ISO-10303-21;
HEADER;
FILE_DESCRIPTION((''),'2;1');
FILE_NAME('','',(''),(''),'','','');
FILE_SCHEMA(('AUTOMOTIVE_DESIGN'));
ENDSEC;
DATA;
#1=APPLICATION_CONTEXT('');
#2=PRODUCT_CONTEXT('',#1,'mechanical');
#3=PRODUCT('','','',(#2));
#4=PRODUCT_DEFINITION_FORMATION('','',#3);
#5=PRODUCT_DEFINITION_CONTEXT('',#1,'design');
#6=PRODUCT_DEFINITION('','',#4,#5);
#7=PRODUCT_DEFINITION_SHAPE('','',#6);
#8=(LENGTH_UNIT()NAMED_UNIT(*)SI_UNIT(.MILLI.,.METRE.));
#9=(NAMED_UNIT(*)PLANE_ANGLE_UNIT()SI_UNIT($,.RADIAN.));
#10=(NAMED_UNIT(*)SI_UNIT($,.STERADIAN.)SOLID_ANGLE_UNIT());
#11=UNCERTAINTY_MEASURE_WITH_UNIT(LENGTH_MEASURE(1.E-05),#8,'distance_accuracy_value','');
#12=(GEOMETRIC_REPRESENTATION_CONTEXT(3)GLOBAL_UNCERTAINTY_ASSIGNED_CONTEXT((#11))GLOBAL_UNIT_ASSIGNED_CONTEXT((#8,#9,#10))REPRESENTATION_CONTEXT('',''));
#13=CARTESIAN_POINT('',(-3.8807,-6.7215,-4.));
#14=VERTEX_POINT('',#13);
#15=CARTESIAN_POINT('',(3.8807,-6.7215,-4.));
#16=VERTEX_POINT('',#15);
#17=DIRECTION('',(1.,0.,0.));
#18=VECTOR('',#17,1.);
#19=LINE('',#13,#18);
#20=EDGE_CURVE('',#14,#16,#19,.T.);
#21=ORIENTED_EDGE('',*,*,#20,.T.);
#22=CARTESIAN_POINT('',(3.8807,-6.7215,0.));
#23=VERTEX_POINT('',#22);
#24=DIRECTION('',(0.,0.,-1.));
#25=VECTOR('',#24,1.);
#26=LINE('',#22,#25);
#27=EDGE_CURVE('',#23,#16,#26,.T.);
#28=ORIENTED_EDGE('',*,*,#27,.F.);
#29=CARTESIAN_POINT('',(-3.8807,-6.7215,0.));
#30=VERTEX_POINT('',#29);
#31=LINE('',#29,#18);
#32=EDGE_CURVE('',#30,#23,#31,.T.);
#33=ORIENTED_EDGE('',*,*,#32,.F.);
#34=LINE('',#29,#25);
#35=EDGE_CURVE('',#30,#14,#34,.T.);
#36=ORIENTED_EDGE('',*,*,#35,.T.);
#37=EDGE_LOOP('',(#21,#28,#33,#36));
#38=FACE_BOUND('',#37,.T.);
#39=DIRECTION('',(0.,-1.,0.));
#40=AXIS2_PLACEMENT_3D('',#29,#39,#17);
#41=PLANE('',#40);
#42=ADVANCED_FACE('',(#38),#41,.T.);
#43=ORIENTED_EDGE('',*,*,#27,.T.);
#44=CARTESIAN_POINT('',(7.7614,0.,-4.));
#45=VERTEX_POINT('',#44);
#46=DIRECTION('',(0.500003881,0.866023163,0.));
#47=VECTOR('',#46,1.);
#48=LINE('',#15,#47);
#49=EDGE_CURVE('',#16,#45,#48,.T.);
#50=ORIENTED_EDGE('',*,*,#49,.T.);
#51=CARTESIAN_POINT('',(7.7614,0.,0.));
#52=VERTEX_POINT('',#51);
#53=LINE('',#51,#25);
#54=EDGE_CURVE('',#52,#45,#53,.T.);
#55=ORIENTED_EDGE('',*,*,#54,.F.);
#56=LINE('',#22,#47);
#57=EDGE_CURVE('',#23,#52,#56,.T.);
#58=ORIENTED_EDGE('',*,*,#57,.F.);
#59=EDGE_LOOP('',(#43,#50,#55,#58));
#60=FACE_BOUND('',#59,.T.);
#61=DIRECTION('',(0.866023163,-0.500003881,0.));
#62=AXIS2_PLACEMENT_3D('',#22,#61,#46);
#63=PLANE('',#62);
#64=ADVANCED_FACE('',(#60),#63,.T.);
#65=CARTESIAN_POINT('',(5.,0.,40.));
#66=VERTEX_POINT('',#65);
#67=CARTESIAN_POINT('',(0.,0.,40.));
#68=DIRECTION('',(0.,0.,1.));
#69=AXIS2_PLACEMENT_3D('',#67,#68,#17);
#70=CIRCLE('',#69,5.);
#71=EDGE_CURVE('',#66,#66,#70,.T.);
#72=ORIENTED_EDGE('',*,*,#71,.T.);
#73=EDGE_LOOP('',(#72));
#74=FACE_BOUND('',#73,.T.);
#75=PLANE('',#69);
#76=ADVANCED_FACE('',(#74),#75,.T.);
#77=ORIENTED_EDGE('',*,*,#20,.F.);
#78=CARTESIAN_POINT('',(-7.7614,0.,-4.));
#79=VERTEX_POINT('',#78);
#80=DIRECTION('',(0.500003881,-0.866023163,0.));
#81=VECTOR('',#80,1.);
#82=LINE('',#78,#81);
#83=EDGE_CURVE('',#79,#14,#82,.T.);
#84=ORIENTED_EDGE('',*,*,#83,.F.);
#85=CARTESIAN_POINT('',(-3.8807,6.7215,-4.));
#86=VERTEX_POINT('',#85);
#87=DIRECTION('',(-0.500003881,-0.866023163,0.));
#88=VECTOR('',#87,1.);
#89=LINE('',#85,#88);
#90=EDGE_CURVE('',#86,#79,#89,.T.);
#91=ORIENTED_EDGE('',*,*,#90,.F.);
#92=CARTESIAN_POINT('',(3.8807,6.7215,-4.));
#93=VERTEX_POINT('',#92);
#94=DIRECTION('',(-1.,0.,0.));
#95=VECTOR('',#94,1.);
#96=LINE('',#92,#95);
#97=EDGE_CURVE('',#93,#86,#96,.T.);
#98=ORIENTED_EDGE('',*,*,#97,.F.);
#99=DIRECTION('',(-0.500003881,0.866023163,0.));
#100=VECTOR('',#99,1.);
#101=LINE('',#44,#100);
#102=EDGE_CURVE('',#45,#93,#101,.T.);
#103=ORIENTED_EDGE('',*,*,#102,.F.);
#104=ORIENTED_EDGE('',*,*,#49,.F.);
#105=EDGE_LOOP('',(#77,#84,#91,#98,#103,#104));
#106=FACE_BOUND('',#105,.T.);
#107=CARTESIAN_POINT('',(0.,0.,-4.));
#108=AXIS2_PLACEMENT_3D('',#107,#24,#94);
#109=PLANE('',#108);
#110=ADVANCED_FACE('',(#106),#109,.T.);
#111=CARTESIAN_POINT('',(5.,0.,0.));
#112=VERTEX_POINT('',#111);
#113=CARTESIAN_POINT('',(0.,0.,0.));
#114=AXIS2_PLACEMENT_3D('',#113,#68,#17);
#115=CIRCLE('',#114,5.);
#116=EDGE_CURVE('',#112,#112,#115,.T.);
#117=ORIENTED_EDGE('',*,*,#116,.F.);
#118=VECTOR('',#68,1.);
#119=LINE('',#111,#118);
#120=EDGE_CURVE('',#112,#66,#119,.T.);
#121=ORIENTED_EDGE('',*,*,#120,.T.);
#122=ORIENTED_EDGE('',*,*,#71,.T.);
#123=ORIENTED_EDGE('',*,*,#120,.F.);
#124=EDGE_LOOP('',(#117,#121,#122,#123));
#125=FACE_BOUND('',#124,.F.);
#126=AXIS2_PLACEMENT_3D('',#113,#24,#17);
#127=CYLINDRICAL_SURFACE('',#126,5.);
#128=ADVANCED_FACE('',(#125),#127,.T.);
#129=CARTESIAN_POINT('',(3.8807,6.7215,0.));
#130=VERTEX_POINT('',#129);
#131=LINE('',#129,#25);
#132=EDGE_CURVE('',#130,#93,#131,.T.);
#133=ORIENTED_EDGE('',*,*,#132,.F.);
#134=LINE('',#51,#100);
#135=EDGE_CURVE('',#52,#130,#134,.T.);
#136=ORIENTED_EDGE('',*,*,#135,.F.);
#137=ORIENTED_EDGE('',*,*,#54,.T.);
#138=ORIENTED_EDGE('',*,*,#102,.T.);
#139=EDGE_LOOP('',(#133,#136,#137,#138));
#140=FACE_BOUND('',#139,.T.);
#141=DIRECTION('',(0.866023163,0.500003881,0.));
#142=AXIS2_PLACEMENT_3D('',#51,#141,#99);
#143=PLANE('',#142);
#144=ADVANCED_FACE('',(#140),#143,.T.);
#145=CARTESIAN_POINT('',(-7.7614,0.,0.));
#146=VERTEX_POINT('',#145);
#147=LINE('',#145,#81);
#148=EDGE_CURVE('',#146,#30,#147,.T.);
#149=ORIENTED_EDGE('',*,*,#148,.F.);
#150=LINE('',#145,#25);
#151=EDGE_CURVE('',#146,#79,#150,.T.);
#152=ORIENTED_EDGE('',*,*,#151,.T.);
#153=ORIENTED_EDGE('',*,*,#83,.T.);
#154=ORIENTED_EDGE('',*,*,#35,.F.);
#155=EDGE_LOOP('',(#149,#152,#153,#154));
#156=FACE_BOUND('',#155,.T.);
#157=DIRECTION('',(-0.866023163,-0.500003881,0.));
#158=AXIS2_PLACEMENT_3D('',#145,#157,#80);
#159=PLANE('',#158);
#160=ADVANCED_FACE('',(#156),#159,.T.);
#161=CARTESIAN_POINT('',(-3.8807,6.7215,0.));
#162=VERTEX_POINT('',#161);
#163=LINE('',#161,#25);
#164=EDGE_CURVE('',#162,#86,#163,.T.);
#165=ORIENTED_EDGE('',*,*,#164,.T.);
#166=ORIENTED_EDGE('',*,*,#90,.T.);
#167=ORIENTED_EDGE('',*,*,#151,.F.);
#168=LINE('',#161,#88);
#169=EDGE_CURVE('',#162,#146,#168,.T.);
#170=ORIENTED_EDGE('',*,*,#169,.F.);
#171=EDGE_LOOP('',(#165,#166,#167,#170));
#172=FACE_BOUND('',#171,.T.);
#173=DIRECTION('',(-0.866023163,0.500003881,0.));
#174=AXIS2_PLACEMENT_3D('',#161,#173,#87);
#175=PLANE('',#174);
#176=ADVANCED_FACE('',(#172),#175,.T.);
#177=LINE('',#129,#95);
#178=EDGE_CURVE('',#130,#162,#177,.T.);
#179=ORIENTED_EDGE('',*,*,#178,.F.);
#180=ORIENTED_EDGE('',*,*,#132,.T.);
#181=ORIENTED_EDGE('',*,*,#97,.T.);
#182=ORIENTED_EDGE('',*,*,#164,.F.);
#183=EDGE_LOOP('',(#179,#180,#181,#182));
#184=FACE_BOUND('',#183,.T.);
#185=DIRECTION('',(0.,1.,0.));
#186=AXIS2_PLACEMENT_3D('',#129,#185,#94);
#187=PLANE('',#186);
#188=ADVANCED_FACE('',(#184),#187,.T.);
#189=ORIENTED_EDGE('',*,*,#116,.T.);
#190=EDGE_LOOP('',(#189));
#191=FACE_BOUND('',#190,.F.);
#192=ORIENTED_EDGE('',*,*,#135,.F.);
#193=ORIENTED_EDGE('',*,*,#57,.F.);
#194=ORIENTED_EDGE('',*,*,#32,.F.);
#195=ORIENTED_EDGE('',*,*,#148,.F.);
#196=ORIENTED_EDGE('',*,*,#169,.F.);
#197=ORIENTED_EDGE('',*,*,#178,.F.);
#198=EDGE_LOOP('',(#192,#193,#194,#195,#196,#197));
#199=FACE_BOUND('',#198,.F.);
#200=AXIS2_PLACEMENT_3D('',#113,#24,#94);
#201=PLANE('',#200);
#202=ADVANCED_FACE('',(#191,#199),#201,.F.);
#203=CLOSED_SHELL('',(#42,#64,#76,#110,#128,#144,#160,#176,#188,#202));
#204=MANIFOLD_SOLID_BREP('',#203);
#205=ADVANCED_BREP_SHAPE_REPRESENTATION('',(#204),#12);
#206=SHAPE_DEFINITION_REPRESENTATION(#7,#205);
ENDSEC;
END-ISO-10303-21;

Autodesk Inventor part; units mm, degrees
ref_plane "YZ Plane" through (0, 0, 0) normal (1, 0, 0) x (0, 1, 0)
ref_plane "XZ Plane" through (0, 0, 0) normal (0, 1, 0) x (-1, 0, 0)
ref_plane "XY Plane" through (0, 0, 0) normal (0, 0, 1) x (1, 0, 0)
sketch "Sketch1" plane through (0, 0, 0) normal (0, 0, 1) x (1, 0, 0)
  circle A0 centre (0, 0) radius 5
  dimension "d0" = 10
extrude "Extrusion1" add sketch "Sketch1" along normal blind 40
sketch "Sketch2" plane through (0, 0, 0) normal (0, 0, -1) x (-1, 0, 0)
  line L0 (-7.7614, 0) -> (-3.8807, 6.7215)
  line L1 (-3.8807, 6.7215) -> (3.8807, 6.7215)
  line L2 (3.8807, 6.7215) -> (7.7614, 0)
  line L3 (7.7614, 0) -> (3.8807, -6.7215)
  line L4 (3.8807, -6.7215) -> (-3.8807, -6.7215)
  line L5 (-3.8807, -6.7215) -> (-7.7614, 0)
  point P0 (0, 0)
  point P1 (0, 0)
extrude "Extrusion2" add sketch "Sketch2" along normal blind 4
properties part number "Tornillo"
